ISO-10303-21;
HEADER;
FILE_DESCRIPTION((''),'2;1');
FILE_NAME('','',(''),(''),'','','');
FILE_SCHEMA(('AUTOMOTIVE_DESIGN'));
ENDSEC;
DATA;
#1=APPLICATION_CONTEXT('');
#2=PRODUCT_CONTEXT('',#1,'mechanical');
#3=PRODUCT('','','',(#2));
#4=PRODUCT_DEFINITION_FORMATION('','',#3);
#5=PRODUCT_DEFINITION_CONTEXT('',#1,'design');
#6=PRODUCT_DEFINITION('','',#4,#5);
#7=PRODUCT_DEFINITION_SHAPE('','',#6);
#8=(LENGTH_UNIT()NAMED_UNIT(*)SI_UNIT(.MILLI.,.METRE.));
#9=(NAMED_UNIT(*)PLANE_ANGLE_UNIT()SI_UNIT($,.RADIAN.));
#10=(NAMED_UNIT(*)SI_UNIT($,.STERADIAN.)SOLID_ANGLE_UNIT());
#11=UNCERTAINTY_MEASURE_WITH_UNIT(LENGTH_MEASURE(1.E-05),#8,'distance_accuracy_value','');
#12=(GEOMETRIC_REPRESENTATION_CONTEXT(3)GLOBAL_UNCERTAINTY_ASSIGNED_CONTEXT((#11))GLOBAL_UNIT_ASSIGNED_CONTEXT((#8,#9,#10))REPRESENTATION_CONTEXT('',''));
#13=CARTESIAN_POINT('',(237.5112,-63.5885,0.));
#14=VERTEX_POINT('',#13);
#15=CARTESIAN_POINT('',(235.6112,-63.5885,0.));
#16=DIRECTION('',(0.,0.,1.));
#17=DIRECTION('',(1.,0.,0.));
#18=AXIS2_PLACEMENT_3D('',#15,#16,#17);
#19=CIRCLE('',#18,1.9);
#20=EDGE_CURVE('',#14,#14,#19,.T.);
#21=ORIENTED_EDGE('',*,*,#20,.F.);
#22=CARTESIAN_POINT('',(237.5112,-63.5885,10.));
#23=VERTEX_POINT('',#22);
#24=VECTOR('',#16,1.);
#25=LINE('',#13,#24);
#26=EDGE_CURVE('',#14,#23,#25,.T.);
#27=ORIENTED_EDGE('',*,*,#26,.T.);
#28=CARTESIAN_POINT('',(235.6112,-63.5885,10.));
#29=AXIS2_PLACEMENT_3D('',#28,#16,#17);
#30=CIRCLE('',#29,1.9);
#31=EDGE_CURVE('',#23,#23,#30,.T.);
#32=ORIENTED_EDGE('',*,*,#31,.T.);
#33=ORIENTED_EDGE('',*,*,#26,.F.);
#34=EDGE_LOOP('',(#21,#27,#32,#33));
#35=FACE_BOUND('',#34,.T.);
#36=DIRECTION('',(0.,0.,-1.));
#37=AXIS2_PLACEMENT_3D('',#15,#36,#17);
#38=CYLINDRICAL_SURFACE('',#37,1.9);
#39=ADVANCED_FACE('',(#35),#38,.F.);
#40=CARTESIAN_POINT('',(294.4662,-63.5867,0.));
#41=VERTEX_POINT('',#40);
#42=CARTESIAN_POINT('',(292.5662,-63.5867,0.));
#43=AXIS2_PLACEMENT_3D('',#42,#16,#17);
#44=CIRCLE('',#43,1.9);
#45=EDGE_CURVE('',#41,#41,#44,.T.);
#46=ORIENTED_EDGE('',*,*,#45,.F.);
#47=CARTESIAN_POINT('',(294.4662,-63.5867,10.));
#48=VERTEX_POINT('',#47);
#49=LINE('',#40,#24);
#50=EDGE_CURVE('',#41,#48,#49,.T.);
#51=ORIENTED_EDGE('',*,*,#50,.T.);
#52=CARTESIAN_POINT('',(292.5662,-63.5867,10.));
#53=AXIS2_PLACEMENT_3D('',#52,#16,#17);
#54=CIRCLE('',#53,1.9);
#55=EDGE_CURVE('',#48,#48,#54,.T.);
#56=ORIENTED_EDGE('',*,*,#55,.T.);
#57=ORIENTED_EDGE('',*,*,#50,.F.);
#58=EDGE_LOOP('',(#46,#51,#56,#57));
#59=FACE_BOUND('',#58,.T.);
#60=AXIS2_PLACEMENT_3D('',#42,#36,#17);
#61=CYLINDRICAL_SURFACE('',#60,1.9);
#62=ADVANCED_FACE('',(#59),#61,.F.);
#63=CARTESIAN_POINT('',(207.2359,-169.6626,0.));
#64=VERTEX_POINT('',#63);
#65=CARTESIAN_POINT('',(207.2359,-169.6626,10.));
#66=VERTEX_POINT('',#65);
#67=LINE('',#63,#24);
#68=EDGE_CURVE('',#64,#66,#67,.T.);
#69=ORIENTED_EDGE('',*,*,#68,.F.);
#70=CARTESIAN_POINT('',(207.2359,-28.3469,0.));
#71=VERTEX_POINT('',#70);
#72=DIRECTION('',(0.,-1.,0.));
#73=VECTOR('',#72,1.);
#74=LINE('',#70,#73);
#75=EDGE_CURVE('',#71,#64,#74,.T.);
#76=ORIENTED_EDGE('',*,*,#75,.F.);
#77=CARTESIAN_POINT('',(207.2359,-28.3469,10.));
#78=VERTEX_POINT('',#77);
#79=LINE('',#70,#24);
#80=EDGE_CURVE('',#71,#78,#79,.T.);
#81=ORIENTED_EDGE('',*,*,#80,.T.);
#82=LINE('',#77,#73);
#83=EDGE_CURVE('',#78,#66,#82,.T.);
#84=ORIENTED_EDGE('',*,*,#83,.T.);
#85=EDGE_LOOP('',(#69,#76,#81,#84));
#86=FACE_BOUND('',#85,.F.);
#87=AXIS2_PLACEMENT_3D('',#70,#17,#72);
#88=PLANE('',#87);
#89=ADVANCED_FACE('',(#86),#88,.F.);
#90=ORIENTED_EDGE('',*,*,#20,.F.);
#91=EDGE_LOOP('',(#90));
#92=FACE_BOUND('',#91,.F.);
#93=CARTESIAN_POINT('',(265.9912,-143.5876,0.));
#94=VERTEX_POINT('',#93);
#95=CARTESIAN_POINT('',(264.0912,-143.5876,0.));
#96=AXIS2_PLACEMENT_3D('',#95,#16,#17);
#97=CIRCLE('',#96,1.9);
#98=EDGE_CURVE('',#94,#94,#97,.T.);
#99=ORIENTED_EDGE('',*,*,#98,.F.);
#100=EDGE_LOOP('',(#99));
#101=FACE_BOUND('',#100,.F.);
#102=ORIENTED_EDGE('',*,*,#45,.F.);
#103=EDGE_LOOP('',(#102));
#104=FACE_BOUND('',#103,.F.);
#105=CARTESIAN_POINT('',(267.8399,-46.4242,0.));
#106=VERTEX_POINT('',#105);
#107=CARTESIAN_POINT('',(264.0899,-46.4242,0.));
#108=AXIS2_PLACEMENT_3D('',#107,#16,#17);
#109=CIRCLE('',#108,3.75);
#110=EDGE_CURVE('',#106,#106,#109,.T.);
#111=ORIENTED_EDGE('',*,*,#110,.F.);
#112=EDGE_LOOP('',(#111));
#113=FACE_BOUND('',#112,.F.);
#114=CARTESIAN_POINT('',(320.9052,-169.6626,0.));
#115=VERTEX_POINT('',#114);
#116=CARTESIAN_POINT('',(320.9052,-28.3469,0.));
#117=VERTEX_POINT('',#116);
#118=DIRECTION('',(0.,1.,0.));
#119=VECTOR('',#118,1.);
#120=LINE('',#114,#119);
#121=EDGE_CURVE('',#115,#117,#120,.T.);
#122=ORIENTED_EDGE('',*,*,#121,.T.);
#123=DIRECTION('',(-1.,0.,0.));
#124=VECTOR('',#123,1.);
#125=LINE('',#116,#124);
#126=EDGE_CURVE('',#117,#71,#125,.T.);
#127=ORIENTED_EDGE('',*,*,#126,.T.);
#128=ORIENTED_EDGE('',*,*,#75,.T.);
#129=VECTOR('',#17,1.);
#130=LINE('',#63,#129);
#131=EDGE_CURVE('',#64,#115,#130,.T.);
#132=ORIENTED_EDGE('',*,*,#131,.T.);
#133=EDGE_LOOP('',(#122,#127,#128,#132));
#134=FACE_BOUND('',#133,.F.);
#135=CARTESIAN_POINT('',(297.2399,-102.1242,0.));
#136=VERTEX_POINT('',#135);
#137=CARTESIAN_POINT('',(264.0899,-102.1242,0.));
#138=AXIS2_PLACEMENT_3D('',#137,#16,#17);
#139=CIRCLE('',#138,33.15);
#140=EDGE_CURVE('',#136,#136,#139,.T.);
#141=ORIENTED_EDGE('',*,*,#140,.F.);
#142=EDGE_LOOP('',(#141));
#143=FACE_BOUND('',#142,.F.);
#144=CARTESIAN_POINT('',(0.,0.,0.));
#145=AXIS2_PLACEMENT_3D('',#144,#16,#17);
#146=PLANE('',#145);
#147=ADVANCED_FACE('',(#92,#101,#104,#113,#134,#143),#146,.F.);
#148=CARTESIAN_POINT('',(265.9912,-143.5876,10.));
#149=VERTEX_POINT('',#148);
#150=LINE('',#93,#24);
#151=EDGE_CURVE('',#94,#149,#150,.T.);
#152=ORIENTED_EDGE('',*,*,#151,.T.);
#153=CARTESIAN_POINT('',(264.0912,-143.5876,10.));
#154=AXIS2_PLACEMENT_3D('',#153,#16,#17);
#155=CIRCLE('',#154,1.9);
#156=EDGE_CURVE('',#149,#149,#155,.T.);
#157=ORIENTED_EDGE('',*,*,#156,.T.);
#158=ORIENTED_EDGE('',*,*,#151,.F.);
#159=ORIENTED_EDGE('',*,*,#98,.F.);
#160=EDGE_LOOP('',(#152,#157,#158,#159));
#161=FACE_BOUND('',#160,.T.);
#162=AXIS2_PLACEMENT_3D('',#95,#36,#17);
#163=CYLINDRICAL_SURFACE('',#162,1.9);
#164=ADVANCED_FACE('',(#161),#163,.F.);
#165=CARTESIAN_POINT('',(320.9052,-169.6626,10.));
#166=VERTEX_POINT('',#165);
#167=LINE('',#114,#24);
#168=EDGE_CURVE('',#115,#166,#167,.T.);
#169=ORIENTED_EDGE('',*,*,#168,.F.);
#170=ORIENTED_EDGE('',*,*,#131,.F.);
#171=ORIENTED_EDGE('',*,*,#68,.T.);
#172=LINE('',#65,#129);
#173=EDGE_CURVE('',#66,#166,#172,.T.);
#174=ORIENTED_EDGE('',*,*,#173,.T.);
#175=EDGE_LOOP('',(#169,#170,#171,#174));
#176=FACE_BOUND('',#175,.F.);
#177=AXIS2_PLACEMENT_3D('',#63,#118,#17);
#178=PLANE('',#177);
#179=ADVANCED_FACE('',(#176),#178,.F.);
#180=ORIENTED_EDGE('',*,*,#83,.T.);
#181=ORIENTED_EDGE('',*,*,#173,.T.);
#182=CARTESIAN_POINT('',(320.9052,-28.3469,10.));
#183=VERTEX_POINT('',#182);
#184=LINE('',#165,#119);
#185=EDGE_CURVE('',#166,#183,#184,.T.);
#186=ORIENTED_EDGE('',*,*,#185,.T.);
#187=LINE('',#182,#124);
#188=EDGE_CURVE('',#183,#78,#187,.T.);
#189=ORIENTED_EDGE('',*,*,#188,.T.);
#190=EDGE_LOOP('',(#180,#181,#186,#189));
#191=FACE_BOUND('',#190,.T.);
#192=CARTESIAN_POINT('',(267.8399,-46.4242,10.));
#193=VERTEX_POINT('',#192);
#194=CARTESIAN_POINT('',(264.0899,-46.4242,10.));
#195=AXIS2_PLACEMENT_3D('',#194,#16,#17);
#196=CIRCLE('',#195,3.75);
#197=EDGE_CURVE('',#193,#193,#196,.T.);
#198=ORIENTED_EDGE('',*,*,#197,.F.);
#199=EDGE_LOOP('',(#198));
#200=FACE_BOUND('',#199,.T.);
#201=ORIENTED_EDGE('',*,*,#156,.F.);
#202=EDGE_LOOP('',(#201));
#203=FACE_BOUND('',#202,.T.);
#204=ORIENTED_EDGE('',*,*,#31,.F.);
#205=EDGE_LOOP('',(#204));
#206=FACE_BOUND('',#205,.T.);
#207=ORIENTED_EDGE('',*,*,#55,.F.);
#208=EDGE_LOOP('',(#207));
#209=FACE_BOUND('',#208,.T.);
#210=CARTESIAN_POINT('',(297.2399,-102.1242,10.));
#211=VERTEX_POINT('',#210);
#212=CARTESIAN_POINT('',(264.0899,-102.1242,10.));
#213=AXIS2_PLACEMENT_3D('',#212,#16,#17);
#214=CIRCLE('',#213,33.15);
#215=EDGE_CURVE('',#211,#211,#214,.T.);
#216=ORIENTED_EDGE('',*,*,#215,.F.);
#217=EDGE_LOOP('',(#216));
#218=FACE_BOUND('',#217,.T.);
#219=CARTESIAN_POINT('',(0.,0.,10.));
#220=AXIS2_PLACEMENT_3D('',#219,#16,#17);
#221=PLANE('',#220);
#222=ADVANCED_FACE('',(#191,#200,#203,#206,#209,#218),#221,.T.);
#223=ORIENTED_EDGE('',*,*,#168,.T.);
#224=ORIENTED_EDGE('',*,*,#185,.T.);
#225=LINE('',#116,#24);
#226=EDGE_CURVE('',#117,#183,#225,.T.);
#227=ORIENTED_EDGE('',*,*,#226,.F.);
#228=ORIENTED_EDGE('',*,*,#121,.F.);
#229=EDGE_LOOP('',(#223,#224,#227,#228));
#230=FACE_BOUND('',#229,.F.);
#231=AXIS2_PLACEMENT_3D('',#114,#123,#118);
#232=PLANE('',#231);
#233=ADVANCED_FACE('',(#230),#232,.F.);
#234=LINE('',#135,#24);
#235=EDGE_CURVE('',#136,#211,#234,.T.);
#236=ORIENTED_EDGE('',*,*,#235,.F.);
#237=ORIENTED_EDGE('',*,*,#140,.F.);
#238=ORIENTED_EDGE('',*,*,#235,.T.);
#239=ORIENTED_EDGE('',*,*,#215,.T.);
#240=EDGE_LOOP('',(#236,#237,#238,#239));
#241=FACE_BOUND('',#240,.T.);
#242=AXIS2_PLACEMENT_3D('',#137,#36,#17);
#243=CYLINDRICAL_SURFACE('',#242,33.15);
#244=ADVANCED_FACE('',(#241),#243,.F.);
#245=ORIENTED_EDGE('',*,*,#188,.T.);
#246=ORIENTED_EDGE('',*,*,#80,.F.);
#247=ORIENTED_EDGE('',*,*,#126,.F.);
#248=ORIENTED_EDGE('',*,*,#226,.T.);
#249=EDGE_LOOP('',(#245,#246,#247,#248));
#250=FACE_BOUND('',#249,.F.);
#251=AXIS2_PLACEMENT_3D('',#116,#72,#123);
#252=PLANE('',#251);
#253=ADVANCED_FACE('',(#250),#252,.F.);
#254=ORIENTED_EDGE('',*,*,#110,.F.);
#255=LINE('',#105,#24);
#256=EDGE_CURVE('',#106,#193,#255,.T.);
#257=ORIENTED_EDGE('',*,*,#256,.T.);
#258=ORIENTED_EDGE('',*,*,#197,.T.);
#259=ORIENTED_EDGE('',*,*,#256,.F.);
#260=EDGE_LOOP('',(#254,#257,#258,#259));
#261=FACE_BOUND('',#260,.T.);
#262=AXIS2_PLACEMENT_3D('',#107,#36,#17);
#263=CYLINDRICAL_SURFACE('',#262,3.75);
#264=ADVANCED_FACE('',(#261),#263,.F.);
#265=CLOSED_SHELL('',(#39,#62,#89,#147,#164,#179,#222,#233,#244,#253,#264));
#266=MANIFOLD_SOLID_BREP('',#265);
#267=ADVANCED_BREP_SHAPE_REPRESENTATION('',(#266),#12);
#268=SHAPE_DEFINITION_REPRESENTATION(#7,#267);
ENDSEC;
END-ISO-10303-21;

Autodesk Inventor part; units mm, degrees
ref_plane "YZ Plane" through (0, 0, 0) normal (1, 0, 0) x (0, 1, 0)
ref_plane "XZ Plane" through (0, 0, 0) normal (0, 1, 0) x (-1, 0, 0)
ref_plane "XY Plane" through (0, 0, 0) normal (0, 0, 1) x (1, 0, 0)
sketch "스케치4" plane through (0, 0, 0) normal (0, 0, 1) x (1, 0, 0)
  circle A0 centre (264.0912, 143.5876) radius 1.9
  circle A1 centre (235.6112, 63.5885) radius 1.9
  circle A2 centre (292.5662, 63.5867) radius 1.9
  circle A3 centre (264.0899, 46.4242) radius 3.75
  circle A4 centre (264.0899, 102.1242) radius 33.15
  circle A5 centre (292.5662, 63.5867) radius 1.5
  circle A6 centre (235.6112, 63.5885) radius 1.5
  circle A7 centre (264.0912, 143.5876) radius 1.5
  line L0 (264.0899, 102.1242) -> (264.0899, 46.4242)
  line L1 (356.232, 0) -> (158.7026, 0)
  circle A8 centre (264.0912, -143.5876) radius 1.9
  circle A9 centre (235.6112, -63.5885) radius 1.9
  circle A10 centre (292.5662, -63.5867) radius 1.9
  circle A11 centre (264.0899, -46.4242) radius 3.75
  circle A12 centre (264.0899, -102.1242) radius 33.15
  circle A13 centre (235.6112, -63.5885) radius 1.5
  circle A14 centre (264.0912, -143.5876) radius 1.5
  circle A15 centre (292.5662, -63.5867) radius 1.5
  line L2 (264.0899, -102.1242) -> (264.0899, -46.4242) construction
  line L3 (320.9052, -28.3469) -> (207.2359, -28.3469)
  line L4 (207.2359, -28.3469) -> (207.2359, -169.6626)
  line L5 (207.2359, -169.6626) -> (320.9052, -169.6626)
  line L6 (320.9052, -169.6626) -> (320.9052, -28.3469)
  point P0 (0, 0)
  dimension "d38" = 3
  dimension "d39" = 3
  dimension "d40" = 3
  dimension "d41" = 41.4634
  dimension "d42" = 47.917
  dimension "d45" = 7.5
  dimension "d48" = 143.537
  dimension "d50" = 47.917
  dimension "d51" = 36.465
  dimension "d52" = 36.462
  dimension "d53" = 179.998
  dimension "d54" = 55.7
extrude "돌출3" add sketch "스케치4" along normal blind 10 contours L6 L5 L4 L3
properties part number "SAFRS-P-0007"
